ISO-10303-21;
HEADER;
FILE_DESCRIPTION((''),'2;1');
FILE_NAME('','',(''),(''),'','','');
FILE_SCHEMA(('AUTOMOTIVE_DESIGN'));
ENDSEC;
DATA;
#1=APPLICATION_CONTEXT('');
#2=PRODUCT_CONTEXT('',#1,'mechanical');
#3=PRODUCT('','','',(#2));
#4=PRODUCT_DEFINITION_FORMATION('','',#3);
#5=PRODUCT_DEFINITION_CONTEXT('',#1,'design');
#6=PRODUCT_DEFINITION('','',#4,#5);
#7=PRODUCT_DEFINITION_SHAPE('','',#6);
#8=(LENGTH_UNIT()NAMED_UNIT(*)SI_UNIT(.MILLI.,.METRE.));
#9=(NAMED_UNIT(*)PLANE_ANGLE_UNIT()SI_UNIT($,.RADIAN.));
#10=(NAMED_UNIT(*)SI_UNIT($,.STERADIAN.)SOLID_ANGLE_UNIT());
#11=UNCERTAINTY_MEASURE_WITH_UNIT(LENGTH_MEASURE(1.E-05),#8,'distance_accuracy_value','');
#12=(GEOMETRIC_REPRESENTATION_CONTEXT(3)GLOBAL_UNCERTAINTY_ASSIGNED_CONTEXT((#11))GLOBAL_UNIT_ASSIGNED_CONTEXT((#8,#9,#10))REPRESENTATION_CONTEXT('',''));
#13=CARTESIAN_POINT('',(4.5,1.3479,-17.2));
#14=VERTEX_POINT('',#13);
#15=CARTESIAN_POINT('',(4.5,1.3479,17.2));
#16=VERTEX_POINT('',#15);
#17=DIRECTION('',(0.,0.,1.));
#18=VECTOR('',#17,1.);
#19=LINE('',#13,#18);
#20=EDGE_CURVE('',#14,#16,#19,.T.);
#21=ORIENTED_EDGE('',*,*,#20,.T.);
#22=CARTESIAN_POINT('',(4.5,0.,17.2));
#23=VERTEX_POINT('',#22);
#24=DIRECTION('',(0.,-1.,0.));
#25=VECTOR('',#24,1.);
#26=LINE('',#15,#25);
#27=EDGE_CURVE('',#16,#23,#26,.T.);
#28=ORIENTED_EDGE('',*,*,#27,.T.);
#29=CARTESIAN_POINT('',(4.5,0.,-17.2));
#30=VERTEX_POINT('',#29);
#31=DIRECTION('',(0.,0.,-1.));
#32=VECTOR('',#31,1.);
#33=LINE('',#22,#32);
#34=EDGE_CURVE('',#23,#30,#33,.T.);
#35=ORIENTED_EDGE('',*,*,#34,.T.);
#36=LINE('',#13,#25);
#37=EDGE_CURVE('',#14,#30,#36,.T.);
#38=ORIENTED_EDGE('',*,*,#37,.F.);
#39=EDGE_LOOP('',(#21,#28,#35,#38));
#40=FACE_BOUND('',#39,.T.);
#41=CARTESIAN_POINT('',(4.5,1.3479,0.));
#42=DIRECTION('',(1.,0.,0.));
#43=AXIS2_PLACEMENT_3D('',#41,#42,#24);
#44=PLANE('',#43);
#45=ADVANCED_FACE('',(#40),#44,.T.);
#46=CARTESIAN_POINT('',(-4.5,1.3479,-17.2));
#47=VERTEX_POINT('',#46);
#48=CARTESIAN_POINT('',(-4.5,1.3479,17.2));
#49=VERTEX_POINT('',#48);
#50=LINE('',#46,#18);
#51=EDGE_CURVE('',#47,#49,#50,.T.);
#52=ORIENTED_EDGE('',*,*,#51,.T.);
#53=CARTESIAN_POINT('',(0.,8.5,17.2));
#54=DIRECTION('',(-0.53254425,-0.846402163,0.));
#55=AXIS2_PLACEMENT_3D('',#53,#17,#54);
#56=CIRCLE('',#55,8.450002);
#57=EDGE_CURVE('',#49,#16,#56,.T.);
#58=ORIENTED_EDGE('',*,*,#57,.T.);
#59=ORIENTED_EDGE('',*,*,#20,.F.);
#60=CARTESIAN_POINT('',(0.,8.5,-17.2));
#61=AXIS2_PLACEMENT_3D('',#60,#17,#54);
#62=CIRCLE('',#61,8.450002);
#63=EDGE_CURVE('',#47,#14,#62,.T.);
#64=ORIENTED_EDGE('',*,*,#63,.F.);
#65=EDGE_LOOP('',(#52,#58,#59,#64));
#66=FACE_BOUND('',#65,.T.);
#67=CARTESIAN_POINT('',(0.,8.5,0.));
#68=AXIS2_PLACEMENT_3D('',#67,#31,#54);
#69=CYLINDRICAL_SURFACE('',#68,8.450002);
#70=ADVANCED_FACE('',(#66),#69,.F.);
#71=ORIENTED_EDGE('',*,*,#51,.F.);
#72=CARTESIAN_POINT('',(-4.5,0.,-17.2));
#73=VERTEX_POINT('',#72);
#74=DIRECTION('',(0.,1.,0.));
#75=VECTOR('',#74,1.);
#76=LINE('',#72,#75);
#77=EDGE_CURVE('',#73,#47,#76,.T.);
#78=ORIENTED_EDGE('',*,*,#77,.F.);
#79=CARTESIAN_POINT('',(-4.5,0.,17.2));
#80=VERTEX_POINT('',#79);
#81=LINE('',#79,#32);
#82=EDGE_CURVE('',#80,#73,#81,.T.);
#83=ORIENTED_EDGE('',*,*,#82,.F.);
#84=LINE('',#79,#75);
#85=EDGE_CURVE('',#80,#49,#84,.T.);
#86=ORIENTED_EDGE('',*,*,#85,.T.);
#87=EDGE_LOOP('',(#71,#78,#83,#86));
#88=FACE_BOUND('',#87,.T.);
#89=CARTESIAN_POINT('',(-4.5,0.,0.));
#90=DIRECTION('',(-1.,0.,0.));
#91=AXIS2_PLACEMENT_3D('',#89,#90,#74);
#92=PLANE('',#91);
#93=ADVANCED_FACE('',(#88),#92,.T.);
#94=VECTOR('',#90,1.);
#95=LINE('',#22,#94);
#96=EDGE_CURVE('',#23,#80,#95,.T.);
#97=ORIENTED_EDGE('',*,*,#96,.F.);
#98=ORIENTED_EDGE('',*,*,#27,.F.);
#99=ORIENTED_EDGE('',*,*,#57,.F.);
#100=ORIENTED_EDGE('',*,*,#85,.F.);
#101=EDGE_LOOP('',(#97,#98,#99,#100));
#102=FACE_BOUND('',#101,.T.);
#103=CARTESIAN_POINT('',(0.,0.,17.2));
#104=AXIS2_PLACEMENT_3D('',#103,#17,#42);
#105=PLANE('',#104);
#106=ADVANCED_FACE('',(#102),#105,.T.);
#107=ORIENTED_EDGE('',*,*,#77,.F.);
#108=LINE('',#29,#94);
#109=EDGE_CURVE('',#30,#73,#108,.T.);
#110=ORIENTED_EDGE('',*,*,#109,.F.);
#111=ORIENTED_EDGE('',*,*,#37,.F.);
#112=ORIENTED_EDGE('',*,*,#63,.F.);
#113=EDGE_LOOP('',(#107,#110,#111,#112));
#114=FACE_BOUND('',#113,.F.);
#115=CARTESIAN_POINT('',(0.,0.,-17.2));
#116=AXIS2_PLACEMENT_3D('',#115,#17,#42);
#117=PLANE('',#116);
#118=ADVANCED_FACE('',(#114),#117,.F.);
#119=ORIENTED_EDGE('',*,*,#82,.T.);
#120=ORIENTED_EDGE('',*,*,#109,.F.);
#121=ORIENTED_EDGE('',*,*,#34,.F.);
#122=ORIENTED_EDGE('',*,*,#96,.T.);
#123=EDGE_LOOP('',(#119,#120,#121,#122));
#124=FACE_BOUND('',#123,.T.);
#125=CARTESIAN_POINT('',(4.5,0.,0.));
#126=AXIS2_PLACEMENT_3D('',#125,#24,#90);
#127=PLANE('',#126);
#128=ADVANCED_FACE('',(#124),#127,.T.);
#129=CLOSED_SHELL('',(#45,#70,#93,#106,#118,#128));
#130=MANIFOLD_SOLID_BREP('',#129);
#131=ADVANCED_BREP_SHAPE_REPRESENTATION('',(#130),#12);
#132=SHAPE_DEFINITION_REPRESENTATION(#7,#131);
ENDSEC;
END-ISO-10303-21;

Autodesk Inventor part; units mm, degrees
ref_plane "YZ Plane" through (0, 0, 0) normal (1, 0, 0) x (0, 1, 0)
ref_plane "XZ Plane" through (0, 0, 0) normal (0, 1, 0) x (-1, 0, 0)
ref_plane "XY Plane" through (0, 0, 0) normal (0, 0, 1) x (1, 0, 0)
sketch "Sketch1" plane through (0, 0, 0) normal (0, 0, 1) x (1, 0, 0)
  line L0 (4.5, 1.3479) -> (4.5, 0)
  line L1 (4.5, 0) -> (-4.5, 0)
  line L2 (-4.5, 0) -> (-4.5, 1.3479)
  arc A0 (-4.5, 1.3479) -> (4.5, 1.3479) centre (0, 8.5) ccw
  point P0 (0, 0)
  point P1 (0, 0)
  point P2 (0, 0.05)
  dimension "d0" = 9
  dimension "d1" = 8.45
  dimension "d2" = 8.5
extrude "Extrusion1" add sketch "Sketch1" along normal mid plane 34.4
properties part number "epoxy_under-battery_short"
